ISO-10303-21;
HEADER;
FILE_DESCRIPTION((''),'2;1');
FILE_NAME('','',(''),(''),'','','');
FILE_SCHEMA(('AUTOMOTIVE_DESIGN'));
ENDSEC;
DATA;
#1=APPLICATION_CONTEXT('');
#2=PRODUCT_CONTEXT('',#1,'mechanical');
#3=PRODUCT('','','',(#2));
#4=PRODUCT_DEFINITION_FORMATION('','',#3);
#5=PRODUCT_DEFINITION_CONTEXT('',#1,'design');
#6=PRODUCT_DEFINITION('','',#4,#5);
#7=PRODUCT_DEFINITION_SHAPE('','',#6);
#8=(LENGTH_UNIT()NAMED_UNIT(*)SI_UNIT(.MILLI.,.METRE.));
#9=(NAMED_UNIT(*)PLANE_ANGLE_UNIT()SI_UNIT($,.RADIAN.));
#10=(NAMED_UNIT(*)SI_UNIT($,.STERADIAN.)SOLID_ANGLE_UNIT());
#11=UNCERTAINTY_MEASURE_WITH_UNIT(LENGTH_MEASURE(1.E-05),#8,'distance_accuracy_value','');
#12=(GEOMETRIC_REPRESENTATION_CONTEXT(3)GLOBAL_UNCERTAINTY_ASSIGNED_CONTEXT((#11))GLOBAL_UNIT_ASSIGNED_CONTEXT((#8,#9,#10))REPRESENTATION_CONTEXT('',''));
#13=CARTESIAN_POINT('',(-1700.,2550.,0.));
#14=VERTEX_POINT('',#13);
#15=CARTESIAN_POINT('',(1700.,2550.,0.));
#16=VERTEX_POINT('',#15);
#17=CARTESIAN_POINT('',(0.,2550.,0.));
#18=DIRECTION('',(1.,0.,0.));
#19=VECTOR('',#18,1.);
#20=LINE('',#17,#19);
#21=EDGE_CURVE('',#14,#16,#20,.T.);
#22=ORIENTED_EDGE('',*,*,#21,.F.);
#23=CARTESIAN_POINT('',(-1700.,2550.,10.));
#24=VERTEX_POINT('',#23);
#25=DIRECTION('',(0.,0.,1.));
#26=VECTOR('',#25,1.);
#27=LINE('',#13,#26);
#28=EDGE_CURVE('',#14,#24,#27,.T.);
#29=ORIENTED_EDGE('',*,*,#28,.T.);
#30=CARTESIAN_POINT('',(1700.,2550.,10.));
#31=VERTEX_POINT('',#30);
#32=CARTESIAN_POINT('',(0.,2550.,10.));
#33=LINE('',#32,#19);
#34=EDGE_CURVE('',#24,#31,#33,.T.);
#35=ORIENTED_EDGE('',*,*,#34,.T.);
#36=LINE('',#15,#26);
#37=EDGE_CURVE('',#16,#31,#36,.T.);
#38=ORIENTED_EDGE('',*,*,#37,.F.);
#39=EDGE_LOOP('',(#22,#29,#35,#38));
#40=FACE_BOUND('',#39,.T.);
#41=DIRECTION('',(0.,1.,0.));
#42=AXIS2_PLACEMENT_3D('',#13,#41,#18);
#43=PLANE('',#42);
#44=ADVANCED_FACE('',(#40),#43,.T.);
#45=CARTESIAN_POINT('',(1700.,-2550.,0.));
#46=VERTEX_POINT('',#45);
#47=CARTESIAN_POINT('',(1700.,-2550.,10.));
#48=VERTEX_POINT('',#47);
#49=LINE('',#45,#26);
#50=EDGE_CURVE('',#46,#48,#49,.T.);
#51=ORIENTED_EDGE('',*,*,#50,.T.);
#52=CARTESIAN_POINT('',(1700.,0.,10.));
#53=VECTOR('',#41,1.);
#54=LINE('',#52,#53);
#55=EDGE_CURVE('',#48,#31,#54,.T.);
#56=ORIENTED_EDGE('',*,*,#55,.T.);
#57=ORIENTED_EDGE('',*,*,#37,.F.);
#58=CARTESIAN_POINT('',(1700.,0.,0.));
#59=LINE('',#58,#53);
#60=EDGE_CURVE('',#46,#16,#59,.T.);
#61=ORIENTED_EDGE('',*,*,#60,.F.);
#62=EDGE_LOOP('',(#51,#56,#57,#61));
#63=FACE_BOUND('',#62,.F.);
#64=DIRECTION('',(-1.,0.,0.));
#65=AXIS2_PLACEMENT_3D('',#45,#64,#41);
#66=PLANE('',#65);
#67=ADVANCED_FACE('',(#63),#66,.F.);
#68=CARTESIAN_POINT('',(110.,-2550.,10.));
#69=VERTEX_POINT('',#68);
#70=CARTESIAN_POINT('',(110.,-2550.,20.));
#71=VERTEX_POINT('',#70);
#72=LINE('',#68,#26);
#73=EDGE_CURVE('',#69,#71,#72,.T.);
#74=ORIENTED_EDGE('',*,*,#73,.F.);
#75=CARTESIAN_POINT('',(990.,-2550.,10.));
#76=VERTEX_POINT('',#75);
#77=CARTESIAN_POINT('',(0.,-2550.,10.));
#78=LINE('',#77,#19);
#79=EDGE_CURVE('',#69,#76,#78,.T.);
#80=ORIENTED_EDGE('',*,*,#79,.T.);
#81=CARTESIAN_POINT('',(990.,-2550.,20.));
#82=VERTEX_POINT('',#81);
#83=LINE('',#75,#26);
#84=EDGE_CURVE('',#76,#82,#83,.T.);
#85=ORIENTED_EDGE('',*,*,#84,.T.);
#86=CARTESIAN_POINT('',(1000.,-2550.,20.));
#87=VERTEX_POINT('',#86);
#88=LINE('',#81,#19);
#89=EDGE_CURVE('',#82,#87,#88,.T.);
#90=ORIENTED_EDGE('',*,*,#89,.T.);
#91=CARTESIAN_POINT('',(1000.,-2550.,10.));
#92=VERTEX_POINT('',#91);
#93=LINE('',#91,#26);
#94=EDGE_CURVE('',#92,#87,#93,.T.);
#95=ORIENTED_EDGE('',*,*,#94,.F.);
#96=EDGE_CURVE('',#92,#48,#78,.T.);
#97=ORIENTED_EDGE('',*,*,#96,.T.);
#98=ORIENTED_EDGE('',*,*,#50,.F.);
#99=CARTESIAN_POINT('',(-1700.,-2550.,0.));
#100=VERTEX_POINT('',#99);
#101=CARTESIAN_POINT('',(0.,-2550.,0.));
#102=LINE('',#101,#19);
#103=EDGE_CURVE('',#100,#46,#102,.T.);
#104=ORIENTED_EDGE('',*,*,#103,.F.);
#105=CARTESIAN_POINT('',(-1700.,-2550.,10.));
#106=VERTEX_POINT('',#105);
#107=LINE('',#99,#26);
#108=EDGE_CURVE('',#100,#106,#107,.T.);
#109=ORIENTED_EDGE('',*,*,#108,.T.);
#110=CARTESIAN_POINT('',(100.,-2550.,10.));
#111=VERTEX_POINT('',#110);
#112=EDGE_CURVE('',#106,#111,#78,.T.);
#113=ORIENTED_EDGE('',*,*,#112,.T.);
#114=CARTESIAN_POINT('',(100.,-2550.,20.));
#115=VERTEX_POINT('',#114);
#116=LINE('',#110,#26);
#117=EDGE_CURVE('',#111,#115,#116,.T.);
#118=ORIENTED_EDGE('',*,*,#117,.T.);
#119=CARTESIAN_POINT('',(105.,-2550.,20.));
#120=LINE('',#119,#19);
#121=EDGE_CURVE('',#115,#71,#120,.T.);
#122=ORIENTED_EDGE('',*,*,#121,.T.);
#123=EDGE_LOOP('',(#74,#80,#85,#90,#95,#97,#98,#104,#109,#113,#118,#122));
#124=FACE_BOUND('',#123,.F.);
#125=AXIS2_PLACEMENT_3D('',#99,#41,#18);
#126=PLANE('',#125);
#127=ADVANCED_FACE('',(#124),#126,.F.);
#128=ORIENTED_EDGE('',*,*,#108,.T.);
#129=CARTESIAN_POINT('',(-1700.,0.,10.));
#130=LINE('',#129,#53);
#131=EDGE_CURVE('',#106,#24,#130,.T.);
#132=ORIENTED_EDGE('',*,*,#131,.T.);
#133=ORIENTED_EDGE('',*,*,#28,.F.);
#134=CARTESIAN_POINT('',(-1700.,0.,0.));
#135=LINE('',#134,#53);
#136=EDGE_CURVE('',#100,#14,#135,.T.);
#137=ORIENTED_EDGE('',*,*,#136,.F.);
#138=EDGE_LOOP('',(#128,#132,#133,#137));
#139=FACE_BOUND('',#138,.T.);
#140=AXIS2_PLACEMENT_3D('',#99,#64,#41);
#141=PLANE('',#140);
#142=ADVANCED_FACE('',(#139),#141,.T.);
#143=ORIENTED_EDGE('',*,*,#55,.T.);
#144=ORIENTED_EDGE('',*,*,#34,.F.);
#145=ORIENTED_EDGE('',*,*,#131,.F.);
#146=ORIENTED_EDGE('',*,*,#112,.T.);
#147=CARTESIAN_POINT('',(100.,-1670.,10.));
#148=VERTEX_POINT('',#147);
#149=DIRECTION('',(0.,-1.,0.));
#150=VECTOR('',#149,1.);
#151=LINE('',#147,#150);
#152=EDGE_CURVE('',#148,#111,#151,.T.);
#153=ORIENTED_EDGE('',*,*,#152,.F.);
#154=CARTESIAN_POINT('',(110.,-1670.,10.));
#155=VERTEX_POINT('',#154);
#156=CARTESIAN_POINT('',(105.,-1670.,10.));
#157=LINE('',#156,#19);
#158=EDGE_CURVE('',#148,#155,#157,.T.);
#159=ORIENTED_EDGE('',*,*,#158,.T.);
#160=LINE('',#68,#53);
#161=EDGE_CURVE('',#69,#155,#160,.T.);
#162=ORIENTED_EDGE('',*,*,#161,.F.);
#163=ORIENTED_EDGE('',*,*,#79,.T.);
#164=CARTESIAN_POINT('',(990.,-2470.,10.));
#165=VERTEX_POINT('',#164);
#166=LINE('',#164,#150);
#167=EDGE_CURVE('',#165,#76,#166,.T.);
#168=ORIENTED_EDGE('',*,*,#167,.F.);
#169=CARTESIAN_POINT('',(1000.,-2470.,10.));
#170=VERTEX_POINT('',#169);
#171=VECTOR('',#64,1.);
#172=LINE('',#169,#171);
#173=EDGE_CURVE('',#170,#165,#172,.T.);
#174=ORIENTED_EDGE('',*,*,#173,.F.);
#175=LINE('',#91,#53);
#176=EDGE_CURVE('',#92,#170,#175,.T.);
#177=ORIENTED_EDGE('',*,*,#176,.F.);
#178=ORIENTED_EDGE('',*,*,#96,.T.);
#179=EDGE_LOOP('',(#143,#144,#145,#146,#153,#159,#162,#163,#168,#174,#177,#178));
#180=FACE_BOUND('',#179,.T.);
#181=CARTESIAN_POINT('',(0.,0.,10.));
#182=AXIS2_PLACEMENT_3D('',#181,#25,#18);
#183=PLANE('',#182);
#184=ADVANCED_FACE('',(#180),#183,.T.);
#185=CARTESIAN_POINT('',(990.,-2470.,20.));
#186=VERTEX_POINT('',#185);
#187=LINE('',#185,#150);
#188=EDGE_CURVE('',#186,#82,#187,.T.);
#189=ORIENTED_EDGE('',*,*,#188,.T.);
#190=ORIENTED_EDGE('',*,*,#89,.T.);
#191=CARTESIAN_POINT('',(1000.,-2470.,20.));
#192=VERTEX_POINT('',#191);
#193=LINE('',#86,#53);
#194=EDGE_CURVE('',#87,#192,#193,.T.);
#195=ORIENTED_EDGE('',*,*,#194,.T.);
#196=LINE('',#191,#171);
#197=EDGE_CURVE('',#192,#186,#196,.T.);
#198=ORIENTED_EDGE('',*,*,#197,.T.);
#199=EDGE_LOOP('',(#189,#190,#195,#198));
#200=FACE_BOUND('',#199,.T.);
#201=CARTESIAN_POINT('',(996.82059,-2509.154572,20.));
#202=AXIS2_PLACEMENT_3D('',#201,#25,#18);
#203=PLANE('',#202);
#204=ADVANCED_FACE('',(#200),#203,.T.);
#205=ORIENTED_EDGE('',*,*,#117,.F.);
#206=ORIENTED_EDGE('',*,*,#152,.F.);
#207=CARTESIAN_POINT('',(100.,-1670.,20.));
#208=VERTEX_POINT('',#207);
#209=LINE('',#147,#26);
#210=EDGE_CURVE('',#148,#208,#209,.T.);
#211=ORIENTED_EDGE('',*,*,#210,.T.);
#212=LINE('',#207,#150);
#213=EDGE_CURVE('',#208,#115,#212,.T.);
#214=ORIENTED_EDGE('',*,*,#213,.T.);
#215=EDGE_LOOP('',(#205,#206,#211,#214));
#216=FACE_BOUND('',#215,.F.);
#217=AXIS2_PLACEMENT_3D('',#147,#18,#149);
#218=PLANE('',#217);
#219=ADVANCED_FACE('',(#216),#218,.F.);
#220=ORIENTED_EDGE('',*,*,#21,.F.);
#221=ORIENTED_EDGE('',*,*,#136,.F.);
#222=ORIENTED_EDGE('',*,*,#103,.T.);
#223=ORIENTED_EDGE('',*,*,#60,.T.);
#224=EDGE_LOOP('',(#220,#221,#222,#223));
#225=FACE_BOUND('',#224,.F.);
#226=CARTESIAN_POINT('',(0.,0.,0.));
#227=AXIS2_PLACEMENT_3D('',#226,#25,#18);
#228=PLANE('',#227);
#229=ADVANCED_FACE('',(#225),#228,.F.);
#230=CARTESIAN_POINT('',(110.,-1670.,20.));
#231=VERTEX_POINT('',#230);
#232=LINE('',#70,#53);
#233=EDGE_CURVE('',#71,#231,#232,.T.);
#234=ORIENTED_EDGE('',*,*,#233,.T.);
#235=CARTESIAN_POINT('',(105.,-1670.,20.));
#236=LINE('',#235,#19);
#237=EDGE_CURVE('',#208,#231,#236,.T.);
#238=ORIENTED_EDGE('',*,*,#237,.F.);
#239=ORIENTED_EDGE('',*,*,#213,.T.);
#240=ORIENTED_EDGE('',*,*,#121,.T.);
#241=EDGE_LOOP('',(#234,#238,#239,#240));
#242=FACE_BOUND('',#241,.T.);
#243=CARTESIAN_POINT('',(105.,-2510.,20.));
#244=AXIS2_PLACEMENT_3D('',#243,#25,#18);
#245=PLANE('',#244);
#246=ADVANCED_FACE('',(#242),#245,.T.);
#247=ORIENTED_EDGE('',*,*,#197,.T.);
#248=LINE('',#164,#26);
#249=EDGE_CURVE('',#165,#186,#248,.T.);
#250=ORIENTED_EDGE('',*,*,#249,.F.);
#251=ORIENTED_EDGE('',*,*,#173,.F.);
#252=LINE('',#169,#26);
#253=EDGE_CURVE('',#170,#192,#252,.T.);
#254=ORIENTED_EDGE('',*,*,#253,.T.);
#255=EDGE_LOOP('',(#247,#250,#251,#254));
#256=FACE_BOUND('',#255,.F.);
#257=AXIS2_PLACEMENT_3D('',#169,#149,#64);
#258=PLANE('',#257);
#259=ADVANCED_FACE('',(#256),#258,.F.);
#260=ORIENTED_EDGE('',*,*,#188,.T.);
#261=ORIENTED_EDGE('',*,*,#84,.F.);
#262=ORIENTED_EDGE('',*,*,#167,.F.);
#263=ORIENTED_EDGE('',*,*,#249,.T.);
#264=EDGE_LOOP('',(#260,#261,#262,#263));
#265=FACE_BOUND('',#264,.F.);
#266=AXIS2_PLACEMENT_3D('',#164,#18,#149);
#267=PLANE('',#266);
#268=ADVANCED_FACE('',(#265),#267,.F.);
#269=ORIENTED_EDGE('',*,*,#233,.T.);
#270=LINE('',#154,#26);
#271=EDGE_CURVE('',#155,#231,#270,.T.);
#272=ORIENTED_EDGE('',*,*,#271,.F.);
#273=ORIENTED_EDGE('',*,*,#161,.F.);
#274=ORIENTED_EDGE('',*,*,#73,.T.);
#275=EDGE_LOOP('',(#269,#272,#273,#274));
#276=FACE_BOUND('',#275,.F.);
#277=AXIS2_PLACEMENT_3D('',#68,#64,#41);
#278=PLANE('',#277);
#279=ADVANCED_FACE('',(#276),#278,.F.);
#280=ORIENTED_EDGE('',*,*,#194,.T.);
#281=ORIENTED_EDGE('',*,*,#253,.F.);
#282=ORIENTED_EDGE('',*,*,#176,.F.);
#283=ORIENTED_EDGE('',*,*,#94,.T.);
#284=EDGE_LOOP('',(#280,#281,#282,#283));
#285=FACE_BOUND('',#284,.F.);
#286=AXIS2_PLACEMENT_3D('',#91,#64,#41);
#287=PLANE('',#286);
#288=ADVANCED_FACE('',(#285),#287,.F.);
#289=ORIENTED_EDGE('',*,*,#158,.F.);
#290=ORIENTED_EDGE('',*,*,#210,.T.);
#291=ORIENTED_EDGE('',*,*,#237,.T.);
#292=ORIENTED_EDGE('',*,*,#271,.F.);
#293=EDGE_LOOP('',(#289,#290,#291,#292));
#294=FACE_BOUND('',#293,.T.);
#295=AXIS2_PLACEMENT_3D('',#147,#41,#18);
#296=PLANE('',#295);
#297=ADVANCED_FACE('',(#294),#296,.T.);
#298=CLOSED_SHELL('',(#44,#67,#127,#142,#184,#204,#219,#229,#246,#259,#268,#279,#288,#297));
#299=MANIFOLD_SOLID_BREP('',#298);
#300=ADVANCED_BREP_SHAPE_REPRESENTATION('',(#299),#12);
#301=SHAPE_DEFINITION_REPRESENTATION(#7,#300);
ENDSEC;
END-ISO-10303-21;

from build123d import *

# Parameters (mm, degrees)
F0_W     = 3400
F0_H     = 5100
F1_DEPTH = 10
F2_W     = 10
F2_H     = 80
F2_H_2   = 800
F3_DEPTH = 10


with BuildPart() as f1:
    # F0 (on Top) → F1 (new body)
    with BuildSketch(Plane.XY):
        Rectangle(F0_W, F0_H)
    extrude(amount=F1_DEPTH)

    # F2 (on face) → F3 (join)
    with BuildSketch(Plane.XY.offset(10)):
        with BuildLine():
            Line((995, -2550), (1000, -2550))
            Line((1000, -2550), (1000, -2470))
            Line((1000, -2470), (991.376764, -2470))
            ThreePointArc((991.376764, -2470), (994.093727, -2509.958997), (995, -2550))
        make_face()
        with BuildLine():
            Line((990, -2550), (995, -2550))
            ThreePointArc((995, -2550), (994.093727, -2509.958997), (991.376764, -2470))
            Line((991.376764, -2470), (990, -2470))
            Line((990, -2470), (990, -2550))
        make_face()
        with Locations((105, -2510)):
            Rectangle(F2_W, F2_H)
        with Locations((105, -2070)):
            Rectangle(F2_W, F2_H_2)
    extrude(amount=F3_DEPTH)


solid = f1.part
